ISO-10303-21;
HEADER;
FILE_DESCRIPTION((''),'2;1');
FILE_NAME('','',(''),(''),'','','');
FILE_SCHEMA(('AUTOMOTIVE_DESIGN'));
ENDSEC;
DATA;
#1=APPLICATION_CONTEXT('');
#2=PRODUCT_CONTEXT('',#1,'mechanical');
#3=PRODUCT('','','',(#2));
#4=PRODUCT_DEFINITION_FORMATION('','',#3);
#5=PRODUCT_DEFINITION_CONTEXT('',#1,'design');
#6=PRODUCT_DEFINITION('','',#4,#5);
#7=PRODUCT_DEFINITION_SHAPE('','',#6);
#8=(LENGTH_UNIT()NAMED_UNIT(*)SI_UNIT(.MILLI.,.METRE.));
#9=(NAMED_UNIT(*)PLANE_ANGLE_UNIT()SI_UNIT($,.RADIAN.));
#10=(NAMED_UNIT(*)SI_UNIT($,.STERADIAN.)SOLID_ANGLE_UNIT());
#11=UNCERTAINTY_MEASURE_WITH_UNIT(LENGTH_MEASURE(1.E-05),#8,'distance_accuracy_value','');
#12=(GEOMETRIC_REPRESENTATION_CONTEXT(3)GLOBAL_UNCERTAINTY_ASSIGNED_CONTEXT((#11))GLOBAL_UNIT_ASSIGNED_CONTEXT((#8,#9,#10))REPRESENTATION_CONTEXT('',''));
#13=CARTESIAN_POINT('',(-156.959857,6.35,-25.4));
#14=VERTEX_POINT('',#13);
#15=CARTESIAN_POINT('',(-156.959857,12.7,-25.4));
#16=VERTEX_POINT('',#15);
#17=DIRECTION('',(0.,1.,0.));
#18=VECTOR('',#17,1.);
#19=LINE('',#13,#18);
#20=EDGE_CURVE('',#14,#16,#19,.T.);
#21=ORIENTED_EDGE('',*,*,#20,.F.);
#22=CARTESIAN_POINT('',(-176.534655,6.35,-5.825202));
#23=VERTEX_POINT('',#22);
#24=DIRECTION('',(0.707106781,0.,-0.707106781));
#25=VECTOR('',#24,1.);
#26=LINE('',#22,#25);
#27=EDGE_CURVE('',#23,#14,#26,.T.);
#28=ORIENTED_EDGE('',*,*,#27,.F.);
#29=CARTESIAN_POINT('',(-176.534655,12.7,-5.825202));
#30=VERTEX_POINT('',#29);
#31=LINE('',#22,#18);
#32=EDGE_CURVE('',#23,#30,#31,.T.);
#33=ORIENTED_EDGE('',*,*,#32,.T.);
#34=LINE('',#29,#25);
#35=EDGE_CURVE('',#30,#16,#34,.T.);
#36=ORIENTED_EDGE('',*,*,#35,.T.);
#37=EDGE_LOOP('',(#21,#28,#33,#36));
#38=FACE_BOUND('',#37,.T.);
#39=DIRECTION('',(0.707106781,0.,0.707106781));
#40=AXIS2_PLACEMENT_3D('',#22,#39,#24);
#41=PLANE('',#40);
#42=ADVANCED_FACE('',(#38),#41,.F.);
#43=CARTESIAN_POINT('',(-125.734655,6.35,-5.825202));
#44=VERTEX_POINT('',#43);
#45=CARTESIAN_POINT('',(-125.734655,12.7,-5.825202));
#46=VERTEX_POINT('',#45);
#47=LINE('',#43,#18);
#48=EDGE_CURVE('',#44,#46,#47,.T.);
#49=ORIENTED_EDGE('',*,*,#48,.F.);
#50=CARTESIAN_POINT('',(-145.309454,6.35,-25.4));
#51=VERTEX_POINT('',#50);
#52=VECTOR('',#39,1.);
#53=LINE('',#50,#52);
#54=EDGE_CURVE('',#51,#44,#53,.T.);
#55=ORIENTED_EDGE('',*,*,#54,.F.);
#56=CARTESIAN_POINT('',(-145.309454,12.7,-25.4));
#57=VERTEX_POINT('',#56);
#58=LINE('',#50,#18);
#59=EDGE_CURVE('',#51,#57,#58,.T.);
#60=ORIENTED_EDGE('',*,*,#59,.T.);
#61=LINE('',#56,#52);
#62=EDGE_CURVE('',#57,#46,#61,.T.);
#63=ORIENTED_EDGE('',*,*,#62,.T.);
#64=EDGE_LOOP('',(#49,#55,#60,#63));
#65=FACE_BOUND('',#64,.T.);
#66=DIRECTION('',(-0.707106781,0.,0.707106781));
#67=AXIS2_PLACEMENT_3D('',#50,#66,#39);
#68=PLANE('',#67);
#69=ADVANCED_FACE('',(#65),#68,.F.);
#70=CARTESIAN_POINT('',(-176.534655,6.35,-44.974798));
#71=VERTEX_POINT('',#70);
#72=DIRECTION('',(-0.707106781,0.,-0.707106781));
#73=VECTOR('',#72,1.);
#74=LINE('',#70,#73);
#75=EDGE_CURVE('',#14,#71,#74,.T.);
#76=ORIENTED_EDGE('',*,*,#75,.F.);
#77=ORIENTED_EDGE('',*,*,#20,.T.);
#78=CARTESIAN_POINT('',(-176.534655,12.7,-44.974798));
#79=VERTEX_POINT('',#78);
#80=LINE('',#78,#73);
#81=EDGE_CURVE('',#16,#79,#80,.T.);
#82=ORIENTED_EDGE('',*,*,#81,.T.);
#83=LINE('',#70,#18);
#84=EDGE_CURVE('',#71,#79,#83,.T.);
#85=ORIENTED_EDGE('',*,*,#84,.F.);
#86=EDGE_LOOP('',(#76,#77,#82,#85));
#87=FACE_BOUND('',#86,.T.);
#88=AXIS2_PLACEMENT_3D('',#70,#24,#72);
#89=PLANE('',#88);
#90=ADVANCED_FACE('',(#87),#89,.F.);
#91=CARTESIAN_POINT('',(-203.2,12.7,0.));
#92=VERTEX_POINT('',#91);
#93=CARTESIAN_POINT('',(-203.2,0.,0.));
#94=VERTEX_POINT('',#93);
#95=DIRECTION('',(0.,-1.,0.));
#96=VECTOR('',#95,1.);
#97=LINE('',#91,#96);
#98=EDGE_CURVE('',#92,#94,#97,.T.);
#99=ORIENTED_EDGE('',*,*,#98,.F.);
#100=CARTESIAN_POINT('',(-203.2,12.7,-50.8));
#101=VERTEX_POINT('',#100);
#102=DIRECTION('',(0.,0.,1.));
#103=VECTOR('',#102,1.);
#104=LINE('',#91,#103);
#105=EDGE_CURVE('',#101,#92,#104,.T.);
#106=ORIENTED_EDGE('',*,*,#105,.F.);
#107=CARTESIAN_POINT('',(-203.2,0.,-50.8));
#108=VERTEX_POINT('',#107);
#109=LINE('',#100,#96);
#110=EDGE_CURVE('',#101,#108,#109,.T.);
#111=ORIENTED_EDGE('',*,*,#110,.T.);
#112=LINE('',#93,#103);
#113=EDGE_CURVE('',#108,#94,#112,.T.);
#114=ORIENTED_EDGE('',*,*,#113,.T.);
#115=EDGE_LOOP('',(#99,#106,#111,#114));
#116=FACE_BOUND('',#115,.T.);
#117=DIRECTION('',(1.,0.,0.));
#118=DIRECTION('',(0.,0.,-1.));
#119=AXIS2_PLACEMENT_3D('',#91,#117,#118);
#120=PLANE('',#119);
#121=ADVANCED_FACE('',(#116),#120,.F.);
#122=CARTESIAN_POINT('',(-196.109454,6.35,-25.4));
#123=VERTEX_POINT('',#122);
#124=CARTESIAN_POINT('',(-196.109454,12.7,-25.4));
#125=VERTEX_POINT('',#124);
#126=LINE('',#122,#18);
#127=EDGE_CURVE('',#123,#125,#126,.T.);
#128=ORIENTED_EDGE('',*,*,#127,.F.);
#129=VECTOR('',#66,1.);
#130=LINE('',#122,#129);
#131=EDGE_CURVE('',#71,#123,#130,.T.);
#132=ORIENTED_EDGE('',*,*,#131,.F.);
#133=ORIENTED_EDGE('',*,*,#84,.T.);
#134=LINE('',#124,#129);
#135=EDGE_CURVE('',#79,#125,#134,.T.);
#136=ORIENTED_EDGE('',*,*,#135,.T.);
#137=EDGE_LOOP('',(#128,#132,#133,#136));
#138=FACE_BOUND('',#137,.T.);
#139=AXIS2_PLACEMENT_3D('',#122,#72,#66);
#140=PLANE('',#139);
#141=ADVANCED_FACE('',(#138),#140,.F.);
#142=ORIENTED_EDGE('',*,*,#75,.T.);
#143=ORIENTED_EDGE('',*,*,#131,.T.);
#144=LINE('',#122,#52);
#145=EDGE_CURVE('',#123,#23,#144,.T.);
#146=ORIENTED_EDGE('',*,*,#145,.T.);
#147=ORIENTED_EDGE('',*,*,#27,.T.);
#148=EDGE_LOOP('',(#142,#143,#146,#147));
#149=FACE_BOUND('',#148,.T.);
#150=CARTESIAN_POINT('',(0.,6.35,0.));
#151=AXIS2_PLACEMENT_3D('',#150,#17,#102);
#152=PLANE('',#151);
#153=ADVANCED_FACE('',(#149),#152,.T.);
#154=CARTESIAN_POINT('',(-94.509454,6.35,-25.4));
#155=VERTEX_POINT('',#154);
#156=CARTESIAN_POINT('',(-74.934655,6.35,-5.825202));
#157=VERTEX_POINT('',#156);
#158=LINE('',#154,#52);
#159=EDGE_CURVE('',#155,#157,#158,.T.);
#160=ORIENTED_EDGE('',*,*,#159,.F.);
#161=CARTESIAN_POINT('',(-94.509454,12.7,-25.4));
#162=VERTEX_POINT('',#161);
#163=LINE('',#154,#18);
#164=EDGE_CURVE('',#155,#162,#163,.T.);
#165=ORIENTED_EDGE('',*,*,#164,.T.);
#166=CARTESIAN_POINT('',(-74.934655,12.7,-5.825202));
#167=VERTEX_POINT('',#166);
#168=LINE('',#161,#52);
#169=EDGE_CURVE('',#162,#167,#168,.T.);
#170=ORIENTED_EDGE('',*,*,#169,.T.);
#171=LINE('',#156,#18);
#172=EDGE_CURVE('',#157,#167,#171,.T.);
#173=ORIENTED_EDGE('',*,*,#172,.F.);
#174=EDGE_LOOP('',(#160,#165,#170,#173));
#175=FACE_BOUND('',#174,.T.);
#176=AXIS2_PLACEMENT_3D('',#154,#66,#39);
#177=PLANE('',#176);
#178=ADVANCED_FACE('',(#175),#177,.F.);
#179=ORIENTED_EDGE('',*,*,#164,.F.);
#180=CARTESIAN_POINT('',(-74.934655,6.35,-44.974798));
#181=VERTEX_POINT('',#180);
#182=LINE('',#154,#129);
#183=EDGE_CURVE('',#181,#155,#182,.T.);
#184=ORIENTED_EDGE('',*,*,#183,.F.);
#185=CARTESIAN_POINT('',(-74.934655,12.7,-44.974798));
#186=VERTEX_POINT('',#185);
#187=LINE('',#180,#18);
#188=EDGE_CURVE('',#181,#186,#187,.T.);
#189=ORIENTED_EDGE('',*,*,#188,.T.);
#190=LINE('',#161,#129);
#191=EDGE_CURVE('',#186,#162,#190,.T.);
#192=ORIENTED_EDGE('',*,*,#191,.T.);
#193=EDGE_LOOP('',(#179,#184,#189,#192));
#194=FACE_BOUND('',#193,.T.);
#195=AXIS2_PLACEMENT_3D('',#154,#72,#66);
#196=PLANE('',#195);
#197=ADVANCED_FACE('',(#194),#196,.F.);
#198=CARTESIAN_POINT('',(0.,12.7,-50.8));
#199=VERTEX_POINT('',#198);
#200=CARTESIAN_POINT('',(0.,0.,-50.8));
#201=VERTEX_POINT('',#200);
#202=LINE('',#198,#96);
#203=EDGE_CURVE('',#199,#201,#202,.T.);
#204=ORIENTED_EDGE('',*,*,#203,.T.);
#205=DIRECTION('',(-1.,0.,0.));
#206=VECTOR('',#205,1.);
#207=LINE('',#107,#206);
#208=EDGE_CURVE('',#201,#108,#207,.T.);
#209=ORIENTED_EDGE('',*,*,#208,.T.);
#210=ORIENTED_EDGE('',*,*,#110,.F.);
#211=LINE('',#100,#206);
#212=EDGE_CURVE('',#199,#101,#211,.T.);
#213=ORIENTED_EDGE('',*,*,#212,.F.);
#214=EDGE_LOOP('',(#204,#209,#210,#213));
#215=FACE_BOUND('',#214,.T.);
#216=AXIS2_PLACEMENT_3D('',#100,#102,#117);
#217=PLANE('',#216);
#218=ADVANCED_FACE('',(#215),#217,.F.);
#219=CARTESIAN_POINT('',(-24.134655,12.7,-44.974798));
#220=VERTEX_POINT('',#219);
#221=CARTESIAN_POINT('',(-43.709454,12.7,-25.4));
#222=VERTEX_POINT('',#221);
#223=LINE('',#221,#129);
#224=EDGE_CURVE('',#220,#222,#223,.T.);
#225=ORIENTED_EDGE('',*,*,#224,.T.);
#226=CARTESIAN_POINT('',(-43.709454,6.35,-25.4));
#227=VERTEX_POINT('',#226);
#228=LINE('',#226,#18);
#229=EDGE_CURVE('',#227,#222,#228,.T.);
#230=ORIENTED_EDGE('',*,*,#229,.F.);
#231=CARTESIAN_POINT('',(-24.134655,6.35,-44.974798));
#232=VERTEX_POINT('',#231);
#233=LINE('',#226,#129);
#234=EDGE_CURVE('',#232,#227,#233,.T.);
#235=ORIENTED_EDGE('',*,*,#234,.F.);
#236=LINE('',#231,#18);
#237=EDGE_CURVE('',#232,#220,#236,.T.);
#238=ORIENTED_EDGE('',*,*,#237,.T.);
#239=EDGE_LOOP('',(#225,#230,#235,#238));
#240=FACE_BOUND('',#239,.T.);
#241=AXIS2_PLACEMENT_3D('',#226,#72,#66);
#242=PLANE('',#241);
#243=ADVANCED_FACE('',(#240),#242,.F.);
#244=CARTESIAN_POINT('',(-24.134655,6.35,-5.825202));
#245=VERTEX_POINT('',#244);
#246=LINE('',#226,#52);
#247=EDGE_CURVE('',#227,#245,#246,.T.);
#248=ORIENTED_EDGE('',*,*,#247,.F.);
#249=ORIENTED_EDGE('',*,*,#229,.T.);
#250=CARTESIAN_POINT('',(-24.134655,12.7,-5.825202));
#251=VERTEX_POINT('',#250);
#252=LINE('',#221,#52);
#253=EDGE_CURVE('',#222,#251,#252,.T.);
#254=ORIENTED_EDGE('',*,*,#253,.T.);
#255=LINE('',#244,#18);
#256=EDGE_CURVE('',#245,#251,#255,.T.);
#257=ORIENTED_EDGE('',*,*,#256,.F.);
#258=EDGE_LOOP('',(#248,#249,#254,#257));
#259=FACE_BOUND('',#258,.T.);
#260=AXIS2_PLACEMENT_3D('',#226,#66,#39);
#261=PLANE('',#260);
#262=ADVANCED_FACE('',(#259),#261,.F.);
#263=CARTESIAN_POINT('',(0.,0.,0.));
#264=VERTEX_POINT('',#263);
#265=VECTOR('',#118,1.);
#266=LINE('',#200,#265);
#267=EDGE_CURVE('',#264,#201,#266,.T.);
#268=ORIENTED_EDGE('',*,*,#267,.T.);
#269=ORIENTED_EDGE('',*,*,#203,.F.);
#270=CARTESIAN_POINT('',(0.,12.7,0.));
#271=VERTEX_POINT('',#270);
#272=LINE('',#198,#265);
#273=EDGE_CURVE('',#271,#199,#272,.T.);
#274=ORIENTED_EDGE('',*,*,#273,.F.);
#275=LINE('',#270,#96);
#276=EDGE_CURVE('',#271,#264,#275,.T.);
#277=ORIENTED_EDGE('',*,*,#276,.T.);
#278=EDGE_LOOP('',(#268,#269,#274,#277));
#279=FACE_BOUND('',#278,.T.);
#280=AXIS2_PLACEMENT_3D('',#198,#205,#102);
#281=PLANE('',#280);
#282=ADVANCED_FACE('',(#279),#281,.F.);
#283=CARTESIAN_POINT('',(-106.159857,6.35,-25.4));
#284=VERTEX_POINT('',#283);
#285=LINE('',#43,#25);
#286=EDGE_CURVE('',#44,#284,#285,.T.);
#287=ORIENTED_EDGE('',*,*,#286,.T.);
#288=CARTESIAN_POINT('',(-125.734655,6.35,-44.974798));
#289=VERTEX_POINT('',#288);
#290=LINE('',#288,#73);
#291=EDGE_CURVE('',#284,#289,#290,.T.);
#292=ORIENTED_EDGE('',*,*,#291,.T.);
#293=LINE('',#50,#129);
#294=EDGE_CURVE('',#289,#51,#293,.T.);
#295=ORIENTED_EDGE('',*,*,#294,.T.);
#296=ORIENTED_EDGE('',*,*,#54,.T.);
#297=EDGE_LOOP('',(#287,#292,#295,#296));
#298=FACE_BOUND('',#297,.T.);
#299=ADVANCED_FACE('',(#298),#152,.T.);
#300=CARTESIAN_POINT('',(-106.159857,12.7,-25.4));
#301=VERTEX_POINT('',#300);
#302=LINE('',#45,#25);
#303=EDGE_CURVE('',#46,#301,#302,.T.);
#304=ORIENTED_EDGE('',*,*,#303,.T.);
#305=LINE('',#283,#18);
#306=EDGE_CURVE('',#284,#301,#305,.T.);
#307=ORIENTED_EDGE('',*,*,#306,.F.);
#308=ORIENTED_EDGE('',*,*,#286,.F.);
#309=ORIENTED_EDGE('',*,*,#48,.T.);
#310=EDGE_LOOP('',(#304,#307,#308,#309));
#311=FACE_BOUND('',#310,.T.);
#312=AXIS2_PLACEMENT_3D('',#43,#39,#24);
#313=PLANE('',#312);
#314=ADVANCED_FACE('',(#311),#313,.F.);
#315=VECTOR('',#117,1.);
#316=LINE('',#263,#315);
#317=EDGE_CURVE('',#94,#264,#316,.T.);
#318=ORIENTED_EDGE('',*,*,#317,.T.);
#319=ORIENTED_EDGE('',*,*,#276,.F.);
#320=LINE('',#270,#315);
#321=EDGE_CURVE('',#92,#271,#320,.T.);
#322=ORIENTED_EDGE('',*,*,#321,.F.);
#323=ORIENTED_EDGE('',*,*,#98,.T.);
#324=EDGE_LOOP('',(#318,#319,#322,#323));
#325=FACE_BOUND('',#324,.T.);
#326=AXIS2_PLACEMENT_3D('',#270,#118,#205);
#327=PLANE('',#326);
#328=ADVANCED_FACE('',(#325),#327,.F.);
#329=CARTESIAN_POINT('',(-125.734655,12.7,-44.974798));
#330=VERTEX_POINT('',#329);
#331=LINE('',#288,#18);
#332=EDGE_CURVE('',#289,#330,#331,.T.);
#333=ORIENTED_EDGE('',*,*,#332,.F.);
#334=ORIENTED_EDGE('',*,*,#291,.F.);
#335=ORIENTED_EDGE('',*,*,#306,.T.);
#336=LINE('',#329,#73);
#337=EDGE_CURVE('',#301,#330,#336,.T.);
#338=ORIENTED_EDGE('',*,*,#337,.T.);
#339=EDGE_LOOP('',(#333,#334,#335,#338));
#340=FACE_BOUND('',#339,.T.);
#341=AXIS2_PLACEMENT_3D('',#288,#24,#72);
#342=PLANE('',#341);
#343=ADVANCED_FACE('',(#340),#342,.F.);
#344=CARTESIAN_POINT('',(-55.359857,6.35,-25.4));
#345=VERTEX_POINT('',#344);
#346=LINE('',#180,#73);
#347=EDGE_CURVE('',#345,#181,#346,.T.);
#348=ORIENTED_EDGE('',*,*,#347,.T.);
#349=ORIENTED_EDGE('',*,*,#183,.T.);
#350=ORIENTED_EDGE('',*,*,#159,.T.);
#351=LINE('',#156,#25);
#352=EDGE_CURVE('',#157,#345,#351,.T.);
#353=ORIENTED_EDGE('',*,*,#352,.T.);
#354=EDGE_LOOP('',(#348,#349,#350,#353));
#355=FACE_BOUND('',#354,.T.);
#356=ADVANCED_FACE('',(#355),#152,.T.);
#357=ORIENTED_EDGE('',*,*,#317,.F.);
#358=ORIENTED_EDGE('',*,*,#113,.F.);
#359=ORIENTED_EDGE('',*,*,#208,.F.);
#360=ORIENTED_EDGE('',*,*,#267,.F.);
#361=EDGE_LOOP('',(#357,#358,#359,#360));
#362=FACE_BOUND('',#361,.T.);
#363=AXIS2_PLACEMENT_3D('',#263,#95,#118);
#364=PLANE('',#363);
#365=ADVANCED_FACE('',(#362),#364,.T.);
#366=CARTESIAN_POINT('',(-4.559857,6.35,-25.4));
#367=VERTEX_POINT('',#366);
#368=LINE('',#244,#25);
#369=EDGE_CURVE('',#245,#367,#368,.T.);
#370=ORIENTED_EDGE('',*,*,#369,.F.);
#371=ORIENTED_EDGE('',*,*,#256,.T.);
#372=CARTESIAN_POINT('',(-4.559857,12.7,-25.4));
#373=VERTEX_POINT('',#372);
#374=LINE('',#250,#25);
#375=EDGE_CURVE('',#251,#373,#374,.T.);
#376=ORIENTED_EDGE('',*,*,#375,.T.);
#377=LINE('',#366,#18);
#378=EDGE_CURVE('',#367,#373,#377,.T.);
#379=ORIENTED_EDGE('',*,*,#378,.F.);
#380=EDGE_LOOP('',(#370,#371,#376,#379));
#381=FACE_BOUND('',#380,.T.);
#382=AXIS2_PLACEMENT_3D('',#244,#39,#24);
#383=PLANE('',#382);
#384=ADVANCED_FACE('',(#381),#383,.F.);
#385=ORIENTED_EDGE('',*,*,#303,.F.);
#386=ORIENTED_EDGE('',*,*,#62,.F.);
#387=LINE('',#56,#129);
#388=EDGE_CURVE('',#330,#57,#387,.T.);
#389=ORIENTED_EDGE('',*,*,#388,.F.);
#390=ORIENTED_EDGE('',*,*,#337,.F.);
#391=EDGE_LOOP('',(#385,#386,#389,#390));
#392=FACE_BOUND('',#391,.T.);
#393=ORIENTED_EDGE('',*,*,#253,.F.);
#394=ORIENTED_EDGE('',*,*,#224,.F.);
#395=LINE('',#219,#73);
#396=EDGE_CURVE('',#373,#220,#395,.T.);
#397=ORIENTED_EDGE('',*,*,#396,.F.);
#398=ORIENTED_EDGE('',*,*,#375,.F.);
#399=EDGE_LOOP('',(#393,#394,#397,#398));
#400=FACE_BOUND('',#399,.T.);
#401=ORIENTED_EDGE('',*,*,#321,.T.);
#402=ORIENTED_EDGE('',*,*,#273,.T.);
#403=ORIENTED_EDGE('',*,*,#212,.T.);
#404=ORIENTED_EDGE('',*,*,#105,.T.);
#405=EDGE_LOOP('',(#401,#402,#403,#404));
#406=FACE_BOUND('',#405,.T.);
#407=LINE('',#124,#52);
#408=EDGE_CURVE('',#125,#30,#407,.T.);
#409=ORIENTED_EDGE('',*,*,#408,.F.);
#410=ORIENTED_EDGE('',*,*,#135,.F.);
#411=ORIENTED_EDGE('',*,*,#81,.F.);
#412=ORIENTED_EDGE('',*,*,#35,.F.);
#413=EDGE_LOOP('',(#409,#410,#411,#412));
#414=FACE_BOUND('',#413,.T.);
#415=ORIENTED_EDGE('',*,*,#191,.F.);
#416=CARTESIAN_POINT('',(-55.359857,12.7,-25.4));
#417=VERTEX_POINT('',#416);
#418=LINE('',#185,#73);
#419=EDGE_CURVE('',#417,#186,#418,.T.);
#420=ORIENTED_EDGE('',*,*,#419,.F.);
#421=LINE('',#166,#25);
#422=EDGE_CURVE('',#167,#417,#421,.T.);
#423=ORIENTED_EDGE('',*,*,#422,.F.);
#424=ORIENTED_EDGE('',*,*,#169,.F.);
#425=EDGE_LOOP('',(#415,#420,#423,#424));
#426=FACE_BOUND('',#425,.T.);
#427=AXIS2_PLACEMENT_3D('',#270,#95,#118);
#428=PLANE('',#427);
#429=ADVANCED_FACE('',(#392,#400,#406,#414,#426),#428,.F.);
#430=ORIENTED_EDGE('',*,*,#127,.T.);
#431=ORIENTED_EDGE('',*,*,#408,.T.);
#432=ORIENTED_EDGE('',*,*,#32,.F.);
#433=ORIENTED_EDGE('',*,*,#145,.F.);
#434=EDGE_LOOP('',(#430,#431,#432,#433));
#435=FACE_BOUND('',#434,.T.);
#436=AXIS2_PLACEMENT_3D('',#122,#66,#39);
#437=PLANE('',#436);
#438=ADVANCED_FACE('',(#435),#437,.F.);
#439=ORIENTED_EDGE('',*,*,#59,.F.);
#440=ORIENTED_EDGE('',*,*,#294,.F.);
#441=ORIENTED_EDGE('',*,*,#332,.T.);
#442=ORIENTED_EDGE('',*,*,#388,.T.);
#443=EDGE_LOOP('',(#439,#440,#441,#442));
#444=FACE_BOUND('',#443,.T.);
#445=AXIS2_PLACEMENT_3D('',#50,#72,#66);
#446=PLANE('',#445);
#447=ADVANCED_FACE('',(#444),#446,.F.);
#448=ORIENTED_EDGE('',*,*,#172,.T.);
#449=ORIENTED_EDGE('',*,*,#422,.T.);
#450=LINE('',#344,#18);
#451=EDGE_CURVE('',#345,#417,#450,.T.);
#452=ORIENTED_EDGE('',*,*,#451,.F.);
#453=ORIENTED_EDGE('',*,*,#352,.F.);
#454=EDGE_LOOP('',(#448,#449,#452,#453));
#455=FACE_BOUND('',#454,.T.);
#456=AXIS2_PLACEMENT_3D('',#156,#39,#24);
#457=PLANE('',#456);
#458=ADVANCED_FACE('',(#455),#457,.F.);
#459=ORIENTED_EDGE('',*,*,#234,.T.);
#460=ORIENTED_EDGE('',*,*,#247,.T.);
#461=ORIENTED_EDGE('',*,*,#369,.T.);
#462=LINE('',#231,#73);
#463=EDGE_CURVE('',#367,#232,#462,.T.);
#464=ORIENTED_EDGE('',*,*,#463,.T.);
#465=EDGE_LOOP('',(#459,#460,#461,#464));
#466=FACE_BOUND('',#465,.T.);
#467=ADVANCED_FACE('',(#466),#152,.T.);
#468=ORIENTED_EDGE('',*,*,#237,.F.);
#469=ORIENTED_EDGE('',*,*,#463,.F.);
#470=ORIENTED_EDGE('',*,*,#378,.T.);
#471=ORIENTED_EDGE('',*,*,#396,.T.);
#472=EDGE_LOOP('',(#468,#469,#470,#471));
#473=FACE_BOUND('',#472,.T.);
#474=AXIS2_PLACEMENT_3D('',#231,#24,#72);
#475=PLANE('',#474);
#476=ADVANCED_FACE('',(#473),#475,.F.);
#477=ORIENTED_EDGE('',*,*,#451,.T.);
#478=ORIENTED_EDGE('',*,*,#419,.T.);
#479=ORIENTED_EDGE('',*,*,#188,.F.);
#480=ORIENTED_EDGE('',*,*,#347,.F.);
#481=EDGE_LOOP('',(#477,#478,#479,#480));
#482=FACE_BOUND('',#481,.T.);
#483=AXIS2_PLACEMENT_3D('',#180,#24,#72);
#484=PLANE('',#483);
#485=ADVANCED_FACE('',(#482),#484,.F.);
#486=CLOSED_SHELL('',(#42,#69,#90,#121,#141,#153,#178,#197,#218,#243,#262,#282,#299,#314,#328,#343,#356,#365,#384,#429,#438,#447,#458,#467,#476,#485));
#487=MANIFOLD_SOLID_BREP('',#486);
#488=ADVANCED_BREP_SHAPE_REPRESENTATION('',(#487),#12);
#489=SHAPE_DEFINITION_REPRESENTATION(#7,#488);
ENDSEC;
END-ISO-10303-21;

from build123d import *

# Parameters (mm, degrees)
SKETCH1_W           = 203.2
SKETCH1_H           = 50.8
BOSS_EXTRUDE1_DEPTH = 12.7
CUT_EXTRUDE6_DEPTH  = 6.35


with BuildPart() as part:
    # Sketch1 → Boss-Extrude1 (new body)
    with BuildSketch(Plane(origin=(0, 0, 0), x_dir=(1, 0, 0), z_dir=(0, 1, 0))):
        with Locations((-101.6, 25.4)):
            Rectangle(SKETCH1_W, SKETCH1_H)
    extrude(amount=BOSS_EXTRUDE1_DEPTH)

    # Sketch2 → Cut-Extrude6 (cut)
    with BuildSketch(Plane(origin=(0, 12.7, 0), x_dir=(1, 0, 0), z_dir=(0, 1, 0))):
        Polygon((-176.534655494, 5.825201554), (-156.959857048, 25.4), (-176.534655494, 44.974798446), (-196.10945394, 25.4), align=None)
        Polygon((-125.734655494, 5.825201554), (-106.159857048, 25.4), (-125.734655494, 44.974798446), (-145.30945394, 25.4), align=None)
        Polygon((-74.934655494, 5.825201554), (-55.359857048, 25.4), (-74.934655494, 44.974798446), (-94.50945394, 25.4), align=None)
        Polygon((-24.134655494, 5.825201554), (-4.559857048, 25.4), (-24.134655494, 44.974798446), (-43.70945394, 25.4), align=None)
    extrude(amount=-CUT_EXTRUDE6_DEPTH, mode=Mode.SUBTRACT)


solid = part.part
